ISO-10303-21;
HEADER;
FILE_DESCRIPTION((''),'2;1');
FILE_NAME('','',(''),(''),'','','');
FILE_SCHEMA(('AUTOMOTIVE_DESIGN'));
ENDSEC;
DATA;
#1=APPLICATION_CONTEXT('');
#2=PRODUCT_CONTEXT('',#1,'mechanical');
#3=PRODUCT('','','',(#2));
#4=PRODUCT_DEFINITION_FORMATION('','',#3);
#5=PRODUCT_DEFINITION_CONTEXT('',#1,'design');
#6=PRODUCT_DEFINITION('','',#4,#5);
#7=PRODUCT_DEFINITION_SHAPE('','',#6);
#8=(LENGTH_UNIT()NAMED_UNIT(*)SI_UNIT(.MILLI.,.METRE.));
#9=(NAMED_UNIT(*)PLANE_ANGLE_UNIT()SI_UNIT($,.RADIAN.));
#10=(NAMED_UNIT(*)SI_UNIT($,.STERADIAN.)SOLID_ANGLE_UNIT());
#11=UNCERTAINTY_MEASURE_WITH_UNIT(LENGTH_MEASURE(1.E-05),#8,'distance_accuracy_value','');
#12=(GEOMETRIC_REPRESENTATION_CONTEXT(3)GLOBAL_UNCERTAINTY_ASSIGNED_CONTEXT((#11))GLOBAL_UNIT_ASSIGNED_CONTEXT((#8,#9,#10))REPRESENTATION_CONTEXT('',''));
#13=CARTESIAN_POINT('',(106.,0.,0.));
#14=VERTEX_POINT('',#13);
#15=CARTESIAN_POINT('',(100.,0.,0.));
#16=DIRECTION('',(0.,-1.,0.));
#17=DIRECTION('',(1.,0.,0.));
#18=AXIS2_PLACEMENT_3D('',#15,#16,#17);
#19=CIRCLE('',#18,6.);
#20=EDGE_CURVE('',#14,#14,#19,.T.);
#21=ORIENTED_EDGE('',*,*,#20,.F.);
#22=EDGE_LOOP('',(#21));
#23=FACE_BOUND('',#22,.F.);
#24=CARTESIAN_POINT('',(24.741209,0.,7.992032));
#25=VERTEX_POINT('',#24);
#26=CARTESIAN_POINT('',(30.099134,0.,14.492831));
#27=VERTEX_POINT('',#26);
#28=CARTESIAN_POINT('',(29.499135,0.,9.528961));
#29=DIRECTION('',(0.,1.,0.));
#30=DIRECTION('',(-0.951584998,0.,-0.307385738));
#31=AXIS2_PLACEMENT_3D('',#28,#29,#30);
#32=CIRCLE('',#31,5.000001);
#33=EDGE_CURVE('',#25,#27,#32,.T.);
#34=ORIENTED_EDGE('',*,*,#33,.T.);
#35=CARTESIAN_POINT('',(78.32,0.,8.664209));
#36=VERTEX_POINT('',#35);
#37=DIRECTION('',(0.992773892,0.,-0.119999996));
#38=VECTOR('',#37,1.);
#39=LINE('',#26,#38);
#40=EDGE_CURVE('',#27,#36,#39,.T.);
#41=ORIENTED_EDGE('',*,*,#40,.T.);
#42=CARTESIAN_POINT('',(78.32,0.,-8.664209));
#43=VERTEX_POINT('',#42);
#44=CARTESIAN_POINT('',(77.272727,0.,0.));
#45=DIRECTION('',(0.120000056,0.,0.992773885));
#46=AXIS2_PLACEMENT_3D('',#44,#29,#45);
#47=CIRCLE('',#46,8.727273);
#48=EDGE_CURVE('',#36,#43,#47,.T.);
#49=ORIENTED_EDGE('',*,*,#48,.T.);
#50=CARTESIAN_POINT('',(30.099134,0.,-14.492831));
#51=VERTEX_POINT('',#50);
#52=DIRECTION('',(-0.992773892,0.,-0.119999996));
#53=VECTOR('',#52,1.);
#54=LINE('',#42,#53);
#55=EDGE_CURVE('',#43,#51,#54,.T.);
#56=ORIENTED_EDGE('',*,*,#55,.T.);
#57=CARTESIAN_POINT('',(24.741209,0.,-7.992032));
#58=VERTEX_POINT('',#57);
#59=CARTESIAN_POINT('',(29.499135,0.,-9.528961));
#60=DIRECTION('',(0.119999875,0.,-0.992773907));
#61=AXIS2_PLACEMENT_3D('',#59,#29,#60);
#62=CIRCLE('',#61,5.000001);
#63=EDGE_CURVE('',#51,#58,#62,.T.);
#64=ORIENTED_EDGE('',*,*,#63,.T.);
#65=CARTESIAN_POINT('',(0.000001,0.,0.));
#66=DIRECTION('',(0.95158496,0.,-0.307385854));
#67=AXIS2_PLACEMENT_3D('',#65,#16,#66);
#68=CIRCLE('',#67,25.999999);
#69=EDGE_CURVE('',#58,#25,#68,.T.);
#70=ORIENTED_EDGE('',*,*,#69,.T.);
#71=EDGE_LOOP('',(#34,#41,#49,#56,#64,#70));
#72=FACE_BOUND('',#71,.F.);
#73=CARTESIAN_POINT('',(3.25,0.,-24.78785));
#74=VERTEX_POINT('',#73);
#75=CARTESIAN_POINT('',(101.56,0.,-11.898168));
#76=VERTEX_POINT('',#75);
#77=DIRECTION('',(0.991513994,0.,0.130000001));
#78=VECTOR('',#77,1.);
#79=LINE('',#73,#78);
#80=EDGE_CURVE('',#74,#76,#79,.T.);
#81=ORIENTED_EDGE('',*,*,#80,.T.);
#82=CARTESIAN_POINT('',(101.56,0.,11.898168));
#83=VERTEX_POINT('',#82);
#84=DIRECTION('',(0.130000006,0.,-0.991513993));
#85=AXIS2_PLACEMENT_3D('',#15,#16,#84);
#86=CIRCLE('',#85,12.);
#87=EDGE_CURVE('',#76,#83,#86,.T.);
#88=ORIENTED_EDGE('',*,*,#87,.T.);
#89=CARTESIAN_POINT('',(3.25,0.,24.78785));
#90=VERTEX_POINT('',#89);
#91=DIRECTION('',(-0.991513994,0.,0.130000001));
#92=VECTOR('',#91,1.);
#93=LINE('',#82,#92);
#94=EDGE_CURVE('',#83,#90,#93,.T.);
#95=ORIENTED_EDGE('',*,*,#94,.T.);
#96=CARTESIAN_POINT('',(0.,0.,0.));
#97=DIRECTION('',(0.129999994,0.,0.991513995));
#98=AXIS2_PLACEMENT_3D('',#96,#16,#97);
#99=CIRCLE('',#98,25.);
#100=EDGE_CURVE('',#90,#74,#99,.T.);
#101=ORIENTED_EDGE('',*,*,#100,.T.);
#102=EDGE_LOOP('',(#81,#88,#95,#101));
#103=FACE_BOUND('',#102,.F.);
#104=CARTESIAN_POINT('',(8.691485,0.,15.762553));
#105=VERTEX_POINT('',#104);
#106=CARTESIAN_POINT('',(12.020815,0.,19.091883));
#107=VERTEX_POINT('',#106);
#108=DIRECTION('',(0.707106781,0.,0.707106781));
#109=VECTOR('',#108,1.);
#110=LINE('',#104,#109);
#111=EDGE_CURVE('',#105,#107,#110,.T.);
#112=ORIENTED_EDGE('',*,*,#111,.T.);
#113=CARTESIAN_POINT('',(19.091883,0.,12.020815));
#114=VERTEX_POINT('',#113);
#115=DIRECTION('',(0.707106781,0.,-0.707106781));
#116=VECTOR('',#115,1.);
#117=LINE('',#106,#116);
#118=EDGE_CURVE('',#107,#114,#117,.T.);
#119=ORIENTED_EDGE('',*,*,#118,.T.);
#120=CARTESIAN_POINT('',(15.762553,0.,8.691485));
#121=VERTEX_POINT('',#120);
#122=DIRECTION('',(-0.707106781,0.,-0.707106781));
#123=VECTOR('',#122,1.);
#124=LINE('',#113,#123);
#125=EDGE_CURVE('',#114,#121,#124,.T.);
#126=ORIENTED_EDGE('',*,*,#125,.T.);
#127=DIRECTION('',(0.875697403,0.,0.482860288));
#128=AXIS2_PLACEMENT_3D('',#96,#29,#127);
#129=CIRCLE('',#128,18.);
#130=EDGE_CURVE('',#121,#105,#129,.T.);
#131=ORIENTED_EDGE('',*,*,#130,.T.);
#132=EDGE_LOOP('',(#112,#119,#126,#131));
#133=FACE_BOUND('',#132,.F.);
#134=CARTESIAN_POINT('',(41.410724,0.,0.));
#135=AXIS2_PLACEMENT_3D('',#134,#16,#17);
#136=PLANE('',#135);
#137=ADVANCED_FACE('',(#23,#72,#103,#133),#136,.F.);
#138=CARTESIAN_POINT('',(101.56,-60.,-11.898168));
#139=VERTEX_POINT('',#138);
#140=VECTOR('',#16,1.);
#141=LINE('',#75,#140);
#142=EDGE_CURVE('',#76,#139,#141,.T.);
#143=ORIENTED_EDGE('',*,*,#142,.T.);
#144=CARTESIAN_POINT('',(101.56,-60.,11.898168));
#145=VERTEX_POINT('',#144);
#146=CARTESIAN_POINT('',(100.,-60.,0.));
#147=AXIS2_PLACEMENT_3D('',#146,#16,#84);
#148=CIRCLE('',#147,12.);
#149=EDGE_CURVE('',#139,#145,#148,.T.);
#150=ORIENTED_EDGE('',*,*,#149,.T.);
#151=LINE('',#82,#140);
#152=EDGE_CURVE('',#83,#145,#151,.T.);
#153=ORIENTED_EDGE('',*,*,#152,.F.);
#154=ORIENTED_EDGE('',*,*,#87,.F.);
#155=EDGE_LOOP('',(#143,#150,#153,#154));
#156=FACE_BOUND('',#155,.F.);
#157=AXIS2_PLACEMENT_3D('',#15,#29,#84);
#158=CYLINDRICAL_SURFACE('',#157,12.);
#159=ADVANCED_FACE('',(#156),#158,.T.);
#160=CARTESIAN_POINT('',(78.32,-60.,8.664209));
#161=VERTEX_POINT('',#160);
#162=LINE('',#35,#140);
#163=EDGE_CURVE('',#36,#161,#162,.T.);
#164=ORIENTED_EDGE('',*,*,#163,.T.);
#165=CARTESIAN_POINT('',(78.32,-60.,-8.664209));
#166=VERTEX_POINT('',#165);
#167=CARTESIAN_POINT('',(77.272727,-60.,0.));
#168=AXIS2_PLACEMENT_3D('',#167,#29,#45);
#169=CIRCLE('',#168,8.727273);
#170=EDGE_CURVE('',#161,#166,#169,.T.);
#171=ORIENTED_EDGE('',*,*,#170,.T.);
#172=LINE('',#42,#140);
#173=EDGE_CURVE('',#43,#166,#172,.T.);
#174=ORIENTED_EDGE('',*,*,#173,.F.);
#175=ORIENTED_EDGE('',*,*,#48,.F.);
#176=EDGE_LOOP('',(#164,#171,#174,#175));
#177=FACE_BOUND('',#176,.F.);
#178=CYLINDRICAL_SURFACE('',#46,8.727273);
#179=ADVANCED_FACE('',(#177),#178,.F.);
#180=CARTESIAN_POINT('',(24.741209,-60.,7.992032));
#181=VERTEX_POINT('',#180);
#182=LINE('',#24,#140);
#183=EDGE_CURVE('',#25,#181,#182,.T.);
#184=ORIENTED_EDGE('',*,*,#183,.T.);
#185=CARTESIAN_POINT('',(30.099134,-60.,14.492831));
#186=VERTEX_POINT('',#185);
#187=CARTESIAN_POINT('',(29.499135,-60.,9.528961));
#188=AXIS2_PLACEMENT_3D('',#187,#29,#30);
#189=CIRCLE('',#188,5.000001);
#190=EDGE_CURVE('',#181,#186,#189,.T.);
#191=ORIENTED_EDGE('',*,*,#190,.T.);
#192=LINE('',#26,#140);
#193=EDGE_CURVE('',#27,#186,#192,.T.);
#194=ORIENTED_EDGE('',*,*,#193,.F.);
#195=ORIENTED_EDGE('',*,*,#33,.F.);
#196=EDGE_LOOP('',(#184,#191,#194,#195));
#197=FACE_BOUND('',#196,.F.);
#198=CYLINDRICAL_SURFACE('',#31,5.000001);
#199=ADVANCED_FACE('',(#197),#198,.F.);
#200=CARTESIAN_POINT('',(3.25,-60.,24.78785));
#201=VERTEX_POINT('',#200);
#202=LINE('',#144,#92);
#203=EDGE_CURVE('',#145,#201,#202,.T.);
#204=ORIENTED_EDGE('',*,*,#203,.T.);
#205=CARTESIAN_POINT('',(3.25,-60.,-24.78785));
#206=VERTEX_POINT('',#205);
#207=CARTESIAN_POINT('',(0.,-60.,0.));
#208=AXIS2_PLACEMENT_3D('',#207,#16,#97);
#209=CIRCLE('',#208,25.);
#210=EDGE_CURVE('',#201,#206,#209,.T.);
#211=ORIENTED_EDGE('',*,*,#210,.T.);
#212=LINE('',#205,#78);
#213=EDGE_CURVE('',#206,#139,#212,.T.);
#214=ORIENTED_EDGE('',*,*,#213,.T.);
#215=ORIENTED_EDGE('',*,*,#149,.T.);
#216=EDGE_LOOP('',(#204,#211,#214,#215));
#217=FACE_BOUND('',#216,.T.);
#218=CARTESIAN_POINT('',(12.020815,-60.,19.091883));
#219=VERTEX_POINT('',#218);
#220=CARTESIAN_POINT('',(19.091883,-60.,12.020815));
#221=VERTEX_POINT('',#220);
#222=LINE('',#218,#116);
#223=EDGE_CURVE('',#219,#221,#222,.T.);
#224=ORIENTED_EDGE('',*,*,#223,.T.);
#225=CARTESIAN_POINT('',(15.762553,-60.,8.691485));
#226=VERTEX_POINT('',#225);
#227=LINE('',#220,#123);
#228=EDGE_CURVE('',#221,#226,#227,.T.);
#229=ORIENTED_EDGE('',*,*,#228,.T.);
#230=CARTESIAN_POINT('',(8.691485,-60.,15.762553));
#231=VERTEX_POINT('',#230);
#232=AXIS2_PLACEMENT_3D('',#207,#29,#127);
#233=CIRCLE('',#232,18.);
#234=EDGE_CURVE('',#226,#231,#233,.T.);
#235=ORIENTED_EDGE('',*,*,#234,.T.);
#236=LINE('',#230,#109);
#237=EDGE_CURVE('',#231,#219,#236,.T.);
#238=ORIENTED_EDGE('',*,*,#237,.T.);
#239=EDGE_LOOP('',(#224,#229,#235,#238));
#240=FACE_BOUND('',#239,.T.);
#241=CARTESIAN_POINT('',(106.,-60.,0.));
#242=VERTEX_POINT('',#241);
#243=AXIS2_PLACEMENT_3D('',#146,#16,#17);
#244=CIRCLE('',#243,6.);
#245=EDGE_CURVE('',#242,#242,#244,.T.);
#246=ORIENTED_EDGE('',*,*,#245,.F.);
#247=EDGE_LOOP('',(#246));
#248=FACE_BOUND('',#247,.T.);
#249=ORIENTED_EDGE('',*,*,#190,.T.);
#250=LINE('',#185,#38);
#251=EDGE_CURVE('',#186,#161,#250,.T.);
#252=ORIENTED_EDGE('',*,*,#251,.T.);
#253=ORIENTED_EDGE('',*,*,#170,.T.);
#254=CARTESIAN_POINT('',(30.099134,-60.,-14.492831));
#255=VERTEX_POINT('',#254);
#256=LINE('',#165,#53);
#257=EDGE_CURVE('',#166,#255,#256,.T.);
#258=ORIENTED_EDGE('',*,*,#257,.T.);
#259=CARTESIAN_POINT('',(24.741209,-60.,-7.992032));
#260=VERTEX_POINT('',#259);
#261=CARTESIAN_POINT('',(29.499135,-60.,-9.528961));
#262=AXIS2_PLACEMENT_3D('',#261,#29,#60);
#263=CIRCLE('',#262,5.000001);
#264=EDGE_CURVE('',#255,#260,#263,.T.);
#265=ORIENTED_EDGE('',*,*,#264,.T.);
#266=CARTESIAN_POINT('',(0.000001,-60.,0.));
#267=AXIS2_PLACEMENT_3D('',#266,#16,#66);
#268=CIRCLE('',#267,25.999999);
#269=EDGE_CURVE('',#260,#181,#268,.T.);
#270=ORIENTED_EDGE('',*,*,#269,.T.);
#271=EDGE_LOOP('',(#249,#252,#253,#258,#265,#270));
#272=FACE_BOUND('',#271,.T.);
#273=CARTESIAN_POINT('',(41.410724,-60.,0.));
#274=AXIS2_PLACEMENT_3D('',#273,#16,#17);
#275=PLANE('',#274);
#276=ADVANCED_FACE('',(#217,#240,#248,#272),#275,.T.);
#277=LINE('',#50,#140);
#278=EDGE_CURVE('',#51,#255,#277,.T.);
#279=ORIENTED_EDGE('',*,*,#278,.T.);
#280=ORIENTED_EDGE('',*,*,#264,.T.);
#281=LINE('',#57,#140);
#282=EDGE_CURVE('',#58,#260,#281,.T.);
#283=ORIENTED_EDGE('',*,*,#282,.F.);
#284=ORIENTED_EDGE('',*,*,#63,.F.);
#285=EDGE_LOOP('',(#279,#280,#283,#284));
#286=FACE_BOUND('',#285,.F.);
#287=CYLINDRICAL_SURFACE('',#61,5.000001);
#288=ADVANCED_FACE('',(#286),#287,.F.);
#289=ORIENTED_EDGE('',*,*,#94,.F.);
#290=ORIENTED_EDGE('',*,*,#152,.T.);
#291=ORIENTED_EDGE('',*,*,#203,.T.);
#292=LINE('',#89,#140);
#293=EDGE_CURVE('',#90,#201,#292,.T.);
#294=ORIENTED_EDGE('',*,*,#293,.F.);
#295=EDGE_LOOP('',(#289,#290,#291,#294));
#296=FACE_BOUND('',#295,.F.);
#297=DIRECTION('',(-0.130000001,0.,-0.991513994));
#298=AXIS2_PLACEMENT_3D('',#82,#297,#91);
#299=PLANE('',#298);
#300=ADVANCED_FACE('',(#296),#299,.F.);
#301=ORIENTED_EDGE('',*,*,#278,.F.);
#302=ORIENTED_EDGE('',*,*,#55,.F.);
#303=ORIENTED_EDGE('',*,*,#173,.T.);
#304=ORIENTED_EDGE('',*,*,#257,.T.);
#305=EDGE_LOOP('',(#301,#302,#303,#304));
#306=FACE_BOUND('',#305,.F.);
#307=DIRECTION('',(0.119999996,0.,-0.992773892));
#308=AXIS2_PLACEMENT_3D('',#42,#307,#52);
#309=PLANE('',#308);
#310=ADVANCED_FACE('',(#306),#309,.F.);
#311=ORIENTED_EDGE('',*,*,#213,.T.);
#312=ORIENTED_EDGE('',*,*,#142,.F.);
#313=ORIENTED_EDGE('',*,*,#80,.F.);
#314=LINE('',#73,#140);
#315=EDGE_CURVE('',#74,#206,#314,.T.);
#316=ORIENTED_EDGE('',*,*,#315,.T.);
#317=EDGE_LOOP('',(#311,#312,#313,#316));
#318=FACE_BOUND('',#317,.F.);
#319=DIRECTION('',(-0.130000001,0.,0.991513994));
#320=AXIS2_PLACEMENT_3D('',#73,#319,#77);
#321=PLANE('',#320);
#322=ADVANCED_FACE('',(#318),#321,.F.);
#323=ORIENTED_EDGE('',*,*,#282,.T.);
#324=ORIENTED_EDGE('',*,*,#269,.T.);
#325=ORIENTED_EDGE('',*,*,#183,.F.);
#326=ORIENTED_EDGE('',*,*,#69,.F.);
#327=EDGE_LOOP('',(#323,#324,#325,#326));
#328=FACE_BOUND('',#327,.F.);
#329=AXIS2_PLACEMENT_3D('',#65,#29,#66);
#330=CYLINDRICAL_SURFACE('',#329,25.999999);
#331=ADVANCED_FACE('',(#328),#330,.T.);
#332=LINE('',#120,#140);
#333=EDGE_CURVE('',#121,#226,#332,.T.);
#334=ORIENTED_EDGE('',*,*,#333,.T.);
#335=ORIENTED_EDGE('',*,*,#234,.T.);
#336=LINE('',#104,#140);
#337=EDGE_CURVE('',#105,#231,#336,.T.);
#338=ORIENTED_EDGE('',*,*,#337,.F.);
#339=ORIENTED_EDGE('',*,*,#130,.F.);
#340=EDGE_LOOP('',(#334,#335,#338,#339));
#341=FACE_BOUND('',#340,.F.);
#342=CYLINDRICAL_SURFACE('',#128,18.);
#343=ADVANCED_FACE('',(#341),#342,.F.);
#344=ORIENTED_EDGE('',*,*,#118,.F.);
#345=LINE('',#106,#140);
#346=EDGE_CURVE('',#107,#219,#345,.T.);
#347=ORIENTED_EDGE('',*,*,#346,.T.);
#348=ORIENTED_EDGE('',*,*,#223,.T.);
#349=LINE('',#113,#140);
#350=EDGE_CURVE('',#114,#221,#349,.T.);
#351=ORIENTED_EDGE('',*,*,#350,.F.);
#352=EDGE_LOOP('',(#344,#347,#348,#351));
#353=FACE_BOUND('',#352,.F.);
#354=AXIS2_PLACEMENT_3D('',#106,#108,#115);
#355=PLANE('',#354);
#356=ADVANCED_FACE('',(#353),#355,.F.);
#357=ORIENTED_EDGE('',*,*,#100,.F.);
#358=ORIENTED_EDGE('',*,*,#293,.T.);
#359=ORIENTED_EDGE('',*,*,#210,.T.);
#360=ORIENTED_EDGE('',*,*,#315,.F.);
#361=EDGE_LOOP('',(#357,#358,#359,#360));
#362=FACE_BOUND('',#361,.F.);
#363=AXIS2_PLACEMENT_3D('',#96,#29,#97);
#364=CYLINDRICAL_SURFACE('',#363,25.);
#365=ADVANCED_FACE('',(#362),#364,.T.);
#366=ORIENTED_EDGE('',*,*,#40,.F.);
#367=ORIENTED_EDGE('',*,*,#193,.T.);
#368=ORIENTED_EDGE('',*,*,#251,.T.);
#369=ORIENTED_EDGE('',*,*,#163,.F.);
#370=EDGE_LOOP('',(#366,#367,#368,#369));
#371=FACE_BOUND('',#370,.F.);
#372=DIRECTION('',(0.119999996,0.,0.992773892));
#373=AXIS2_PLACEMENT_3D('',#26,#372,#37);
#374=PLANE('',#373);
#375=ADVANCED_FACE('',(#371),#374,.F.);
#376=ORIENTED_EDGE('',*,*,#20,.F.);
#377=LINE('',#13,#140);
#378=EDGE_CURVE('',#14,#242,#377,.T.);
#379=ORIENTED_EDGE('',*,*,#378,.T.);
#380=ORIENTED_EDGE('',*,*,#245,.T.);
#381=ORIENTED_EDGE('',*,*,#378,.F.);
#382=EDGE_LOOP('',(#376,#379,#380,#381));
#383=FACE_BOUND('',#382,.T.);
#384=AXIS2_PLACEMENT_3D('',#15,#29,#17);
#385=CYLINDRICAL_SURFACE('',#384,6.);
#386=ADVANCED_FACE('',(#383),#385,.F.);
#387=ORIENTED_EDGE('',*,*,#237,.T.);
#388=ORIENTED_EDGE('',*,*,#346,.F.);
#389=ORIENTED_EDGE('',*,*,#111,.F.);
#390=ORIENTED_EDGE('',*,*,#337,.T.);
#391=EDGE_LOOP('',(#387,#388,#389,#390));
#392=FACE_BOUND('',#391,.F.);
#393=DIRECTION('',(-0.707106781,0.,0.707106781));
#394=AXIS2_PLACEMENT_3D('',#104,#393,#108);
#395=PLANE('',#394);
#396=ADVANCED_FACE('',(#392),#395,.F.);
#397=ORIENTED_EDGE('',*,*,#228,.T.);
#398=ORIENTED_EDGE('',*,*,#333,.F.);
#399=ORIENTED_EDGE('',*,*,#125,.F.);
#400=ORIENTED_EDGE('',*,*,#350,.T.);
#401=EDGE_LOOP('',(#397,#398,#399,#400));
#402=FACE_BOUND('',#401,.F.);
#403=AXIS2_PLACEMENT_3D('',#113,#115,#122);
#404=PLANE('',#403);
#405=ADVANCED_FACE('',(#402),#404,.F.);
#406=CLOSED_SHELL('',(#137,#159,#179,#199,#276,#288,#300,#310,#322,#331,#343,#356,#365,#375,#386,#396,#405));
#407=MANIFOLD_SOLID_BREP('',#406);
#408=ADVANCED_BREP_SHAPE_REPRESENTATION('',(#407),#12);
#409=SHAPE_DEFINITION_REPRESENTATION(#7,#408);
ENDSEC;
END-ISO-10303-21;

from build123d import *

# Parameters (mm, degrees)
F0_R     = 6
F1_DEPTH = 60


with BuildPart() as f1:
    # F0 (on Front) → F1 (new body)
    with BuildSketch(Plane.XZ):
        with BuildLine():
            Line((101.56, 11.898168), (3.25, 24.78785))
            ThreePointArc((3.25, 24.78785), (-25, 0), (3.25, -24.78785))
            Line((3.25, -24.78785), (101.56, -11.898168))
            ThreePointArc((101.56, -11.898168), (112, 0), (101.56, 11.898168))
        make_face()
        with BuildLine():
            ThreePointArc((24.741209, 7.992032), (25.640743, 12.709027), (30.099134, 14.492831))
            Line((30.099134, 14.492831), (78.32, 8.664209))
            ThreePointArc((78.32, 8.664209), (86, 0), (78.32, -8.664209))
            Line((78.32, -8.664209), (30.099134, -14.492831))
            ThreePointArc((30.099134, -14.492831), (25.640743, -12.709027), (24.741209, -7.992032))
            ThreePointArc((24.741209, -7.992032), (26, 0), (24.741209, 7.992032))
        make_face(mode=Mode.SUBTRACT)
        with BuildLine():
            Line((12.020815, 19.091883), (15.556349, 15.556349))
            Line((15.556349, 15.556349), (19.091883, 12.020815))
            Line((19.091883, 12.020815), (15.762553, 8.691485))
            ThreePointArc((15.762553, 8.691485), (-12.727922, -12.727922), (8.691485, 15.762553))
            Line((8.691485, 15.762553), (12.020815, 19.091883))
        make_face(mode=Mode.SUBTRACT)
        with Locations((100, 0)):
            Circle(F0_R, mode=Mode.SUBTRACT)
    extrude(amount=F1_DEPTH)


solid = f1.part
